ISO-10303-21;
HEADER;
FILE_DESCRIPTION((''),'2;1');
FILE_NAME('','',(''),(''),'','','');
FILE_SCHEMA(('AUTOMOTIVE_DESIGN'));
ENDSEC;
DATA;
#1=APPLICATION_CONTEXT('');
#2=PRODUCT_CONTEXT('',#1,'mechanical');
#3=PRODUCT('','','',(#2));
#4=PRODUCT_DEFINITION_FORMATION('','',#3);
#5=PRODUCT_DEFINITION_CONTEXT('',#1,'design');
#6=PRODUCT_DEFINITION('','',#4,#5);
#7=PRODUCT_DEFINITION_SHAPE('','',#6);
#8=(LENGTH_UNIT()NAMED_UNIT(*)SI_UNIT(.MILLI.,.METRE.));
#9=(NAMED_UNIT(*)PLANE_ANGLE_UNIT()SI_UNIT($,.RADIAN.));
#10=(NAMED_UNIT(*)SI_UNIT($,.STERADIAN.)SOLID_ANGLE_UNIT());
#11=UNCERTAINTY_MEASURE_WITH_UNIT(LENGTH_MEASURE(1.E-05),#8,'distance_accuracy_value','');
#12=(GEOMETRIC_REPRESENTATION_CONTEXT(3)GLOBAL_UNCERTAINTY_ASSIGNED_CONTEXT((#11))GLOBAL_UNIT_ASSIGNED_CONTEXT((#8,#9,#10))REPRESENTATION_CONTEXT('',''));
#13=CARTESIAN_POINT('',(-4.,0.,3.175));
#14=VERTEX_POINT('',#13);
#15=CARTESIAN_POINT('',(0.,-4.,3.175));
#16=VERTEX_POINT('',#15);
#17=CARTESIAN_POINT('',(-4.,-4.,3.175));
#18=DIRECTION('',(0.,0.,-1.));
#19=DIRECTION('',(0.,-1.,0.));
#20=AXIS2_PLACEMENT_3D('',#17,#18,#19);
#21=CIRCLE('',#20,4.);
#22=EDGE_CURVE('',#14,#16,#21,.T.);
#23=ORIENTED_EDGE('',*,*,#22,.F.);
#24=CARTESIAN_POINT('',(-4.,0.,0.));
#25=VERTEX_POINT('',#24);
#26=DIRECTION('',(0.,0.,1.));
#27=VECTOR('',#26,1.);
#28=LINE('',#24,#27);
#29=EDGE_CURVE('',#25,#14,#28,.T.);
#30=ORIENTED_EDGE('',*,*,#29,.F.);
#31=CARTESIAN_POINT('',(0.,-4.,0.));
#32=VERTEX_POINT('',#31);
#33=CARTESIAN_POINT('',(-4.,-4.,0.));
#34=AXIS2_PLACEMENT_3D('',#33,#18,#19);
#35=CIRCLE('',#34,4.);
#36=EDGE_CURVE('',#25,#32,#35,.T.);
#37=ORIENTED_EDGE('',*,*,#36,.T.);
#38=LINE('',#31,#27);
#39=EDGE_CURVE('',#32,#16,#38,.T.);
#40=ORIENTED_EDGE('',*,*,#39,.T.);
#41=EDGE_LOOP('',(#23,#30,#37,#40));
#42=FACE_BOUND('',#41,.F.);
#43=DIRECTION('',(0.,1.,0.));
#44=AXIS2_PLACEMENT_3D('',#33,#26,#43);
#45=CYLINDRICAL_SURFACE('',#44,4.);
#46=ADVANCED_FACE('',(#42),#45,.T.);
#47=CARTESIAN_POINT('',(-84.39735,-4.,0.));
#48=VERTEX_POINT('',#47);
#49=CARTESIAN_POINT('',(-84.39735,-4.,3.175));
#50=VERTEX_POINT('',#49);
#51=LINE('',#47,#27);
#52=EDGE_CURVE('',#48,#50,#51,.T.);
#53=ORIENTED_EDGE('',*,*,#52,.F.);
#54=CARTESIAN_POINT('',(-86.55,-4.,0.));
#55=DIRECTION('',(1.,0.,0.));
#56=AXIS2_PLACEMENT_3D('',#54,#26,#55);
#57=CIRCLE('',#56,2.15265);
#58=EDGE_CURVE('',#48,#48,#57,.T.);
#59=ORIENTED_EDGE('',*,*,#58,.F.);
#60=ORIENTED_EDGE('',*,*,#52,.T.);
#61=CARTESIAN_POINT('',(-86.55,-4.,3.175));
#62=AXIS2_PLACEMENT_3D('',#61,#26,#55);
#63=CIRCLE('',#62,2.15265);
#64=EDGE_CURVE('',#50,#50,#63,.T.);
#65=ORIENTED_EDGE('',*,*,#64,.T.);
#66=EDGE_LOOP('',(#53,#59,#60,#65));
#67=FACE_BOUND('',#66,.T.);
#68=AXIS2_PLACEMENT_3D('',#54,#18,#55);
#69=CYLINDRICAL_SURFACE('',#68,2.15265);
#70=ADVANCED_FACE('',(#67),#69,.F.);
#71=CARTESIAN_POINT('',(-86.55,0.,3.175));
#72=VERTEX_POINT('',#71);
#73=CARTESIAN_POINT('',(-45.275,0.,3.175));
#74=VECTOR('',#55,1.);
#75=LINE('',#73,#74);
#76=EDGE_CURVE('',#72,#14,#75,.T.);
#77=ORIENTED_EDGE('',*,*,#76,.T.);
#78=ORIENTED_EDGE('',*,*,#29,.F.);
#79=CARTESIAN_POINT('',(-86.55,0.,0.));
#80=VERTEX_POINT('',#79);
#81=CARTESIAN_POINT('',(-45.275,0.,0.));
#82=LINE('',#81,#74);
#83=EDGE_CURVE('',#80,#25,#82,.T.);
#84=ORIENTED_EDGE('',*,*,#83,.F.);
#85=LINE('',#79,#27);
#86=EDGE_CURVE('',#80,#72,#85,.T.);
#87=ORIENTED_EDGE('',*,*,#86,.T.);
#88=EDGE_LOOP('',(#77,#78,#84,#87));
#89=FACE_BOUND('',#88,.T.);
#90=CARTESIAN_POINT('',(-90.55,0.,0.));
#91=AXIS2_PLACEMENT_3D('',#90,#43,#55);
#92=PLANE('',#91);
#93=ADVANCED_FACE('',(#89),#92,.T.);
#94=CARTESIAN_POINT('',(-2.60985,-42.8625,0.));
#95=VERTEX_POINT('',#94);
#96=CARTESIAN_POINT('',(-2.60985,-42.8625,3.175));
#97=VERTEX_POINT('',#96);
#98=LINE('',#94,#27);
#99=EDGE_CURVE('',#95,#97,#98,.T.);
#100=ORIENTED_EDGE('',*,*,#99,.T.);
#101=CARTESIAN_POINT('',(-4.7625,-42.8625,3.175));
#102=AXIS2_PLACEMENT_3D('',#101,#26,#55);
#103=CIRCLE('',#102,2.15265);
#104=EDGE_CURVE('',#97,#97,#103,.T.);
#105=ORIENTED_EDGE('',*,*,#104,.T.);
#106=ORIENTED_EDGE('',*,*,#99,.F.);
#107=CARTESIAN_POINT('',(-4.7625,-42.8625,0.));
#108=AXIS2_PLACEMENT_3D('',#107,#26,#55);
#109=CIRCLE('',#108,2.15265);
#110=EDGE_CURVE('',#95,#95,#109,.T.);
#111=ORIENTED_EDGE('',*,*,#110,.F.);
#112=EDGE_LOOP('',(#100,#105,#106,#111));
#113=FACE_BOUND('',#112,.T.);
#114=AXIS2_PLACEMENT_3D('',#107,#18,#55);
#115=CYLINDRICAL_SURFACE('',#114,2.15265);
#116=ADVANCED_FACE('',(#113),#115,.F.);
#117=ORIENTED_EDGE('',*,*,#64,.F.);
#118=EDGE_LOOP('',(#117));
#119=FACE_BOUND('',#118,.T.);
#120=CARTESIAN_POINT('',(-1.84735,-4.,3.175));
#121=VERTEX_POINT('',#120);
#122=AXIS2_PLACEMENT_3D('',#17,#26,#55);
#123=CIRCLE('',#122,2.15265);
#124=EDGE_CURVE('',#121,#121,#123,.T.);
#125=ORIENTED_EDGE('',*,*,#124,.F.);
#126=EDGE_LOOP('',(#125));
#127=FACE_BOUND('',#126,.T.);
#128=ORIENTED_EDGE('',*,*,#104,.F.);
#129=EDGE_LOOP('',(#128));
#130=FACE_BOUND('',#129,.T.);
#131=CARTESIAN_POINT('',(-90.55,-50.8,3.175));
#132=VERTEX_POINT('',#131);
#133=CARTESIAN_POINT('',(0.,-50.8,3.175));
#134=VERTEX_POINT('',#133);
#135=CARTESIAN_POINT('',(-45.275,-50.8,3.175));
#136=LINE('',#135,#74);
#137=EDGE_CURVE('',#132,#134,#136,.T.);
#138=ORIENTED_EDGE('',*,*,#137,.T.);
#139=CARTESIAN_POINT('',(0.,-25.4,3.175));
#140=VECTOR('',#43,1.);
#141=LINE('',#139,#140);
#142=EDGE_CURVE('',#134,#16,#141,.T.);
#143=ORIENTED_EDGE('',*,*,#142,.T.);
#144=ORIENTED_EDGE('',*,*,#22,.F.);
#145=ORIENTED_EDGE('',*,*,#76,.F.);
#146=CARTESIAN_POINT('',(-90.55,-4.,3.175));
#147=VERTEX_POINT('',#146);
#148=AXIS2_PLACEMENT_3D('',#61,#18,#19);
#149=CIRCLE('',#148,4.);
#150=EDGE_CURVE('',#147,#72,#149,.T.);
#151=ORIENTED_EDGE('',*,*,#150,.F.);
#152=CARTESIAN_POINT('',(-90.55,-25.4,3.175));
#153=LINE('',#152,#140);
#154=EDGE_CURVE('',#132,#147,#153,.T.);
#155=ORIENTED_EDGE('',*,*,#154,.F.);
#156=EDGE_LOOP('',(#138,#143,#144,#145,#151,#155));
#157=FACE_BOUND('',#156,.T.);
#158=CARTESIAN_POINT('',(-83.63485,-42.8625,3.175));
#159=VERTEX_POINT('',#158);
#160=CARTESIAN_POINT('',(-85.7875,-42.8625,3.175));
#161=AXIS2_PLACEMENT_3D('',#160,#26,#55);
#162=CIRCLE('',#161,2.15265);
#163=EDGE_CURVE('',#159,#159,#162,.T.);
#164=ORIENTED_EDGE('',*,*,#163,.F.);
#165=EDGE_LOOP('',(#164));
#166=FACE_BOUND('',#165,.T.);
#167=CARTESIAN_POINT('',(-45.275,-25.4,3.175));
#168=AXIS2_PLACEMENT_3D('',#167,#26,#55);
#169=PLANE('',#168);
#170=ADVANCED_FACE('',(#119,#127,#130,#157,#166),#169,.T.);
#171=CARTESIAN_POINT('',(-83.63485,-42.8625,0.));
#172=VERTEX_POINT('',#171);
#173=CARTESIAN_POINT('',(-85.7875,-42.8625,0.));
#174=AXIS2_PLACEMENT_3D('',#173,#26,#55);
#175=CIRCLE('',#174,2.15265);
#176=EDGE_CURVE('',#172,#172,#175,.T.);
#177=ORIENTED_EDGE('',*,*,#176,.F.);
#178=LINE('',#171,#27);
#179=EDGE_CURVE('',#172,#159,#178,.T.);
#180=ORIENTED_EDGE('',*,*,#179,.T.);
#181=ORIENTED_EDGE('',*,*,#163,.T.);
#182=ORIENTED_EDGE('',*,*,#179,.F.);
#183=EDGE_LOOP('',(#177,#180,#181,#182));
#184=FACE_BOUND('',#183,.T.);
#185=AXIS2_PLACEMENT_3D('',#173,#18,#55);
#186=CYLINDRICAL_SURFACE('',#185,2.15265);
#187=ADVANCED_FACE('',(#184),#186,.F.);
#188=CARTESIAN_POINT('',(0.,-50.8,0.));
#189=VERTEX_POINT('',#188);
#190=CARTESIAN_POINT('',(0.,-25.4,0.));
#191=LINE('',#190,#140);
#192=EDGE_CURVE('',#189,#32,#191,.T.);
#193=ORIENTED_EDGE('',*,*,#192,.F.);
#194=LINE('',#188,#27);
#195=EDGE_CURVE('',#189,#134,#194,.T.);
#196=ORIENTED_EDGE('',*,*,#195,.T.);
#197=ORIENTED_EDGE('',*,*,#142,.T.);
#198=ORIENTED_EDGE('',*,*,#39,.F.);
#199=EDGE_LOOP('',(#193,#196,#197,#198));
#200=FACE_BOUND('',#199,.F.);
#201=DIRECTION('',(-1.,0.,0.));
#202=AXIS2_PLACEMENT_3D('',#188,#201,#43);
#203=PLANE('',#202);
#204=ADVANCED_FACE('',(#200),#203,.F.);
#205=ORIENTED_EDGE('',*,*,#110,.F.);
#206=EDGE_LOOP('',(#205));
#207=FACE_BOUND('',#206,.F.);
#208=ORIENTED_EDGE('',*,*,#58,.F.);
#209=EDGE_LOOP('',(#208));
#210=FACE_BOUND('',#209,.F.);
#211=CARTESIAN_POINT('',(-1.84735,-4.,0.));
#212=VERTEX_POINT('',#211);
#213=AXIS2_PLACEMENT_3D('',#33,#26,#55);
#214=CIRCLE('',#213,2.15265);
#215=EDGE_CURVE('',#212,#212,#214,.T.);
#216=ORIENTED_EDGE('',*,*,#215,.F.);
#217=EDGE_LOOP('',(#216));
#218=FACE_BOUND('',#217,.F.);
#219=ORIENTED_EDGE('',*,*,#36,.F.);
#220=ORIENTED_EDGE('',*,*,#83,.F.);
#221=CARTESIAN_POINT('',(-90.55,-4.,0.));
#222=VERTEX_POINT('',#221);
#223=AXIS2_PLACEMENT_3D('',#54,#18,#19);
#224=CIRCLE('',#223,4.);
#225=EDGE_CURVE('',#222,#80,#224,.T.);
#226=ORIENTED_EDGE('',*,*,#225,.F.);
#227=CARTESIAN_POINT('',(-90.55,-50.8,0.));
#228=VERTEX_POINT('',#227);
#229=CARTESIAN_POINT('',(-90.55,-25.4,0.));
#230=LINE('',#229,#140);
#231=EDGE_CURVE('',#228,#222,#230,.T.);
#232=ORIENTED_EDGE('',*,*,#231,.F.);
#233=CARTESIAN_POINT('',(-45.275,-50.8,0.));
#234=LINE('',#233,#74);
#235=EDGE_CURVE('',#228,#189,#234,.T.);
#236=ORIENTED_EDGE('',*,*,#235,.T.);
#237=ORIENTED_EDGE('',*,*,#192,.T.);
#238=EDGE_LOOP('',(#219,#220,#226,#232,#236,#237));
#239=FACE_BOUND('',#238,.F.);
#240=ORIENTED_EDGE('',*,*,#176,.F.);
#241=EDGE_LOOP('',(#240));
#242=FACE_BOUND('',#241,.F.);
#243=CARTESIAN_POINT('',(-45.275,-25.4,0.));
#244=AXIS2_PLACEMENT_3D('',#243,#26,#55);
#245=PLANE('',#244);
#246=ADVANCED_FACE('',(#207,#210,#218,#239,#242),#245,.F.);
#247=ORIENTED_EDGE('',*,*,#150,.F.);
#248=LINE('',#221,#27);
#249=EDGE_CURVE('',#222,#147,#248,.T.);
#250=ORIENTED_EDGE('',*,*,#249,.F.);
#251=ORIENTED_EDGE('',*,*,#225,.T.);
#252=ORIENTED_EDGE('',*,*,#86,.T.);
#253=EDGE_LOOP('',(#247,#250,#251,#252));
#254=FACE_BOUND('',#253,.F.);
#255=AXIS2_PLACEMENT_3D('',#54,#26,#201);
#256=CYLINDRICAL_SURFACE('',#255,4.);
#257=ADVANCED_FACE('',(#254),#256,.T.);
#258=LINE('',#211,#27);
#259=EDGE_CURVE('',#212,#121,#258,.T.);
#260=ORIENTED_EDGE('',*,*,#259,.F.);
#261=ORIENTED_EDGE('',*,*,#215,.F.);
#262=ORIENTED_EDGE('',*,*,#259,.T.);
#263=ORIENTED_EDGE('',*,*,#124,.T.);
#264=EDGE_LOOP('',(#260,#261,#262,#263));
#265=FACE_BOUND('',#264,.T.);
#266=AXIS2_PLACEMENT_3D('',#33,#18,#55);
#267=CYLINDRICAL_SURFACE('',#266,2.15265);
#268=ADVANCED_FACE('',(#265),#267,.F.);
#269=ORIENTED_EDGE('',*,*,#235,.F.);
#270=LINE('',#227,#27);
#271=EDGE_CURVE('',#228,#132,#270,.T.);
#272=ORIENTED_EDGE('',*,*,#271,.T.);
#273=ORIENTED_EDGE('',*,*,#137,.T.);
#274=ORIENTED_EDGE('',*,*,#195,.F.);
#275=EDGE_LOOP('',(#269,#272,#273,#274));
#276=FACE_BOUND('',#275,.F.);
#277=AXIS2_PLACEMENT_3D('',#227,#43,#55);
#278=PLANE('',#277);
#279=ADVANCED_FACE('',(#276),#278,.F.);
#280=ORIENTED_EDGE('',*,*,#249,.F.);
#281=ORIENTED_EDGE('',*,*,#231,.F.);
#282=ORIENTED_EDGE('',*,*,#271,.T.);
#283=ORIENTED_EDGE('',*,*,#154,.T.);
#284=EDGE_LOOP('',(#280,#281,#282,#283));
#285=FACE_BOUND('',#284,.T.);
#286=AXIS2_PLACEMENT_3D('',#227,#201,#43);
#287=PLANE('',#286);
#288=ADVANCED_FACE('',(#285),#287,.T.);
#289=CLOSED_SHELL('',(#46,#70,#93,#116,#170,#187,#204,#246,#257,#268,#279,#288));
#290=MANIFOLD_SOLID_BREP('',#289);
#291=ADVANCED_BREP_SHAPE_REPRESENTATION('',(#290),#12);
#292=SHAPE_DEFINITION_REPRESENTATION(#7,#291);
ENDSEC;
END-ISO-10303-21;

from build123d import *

# Parameters (mm, degrees)
F0_W     = 90.55
F0_H     = 50.8
F0_R     = 2.15265
F1_DEPTH = 3.175
F2_R     = 4


with BuildPart() as f1:
    # F0 (on Top) → F1 (new body)
    with BuildSketch(Plane.XY):
        with Locations((-45.275, -25.4)):
            Rectangle(F0_W, F0_H)
        with Locations((-85.7875, -42.8625)):
            Circle(F0_R, mode=Mode.SUBTRACT)
        with Locations((-4.7625, -42.8625)):
            Circle(F0_R, mode=Mode.SUBTRACT)
        with Locations((-86.55, -4)):
            Circle(F0_R, mode=Mode.SUBTRACT)
        with Locations((-4, -4)):
            Circle(F0_R, mode=Mode.SUBTRACT)
    extrude(amount=F1_DEPTH)

    # F2
    f2_edges = [f1.edges().sort_by_distance(p)[0] for p in [
        (0, 0, 1.5875),
        (-90.55, 0, 1.5875),
    ]]
    fillet(f2_edges, radius=F2_R)


solid = f1.part
